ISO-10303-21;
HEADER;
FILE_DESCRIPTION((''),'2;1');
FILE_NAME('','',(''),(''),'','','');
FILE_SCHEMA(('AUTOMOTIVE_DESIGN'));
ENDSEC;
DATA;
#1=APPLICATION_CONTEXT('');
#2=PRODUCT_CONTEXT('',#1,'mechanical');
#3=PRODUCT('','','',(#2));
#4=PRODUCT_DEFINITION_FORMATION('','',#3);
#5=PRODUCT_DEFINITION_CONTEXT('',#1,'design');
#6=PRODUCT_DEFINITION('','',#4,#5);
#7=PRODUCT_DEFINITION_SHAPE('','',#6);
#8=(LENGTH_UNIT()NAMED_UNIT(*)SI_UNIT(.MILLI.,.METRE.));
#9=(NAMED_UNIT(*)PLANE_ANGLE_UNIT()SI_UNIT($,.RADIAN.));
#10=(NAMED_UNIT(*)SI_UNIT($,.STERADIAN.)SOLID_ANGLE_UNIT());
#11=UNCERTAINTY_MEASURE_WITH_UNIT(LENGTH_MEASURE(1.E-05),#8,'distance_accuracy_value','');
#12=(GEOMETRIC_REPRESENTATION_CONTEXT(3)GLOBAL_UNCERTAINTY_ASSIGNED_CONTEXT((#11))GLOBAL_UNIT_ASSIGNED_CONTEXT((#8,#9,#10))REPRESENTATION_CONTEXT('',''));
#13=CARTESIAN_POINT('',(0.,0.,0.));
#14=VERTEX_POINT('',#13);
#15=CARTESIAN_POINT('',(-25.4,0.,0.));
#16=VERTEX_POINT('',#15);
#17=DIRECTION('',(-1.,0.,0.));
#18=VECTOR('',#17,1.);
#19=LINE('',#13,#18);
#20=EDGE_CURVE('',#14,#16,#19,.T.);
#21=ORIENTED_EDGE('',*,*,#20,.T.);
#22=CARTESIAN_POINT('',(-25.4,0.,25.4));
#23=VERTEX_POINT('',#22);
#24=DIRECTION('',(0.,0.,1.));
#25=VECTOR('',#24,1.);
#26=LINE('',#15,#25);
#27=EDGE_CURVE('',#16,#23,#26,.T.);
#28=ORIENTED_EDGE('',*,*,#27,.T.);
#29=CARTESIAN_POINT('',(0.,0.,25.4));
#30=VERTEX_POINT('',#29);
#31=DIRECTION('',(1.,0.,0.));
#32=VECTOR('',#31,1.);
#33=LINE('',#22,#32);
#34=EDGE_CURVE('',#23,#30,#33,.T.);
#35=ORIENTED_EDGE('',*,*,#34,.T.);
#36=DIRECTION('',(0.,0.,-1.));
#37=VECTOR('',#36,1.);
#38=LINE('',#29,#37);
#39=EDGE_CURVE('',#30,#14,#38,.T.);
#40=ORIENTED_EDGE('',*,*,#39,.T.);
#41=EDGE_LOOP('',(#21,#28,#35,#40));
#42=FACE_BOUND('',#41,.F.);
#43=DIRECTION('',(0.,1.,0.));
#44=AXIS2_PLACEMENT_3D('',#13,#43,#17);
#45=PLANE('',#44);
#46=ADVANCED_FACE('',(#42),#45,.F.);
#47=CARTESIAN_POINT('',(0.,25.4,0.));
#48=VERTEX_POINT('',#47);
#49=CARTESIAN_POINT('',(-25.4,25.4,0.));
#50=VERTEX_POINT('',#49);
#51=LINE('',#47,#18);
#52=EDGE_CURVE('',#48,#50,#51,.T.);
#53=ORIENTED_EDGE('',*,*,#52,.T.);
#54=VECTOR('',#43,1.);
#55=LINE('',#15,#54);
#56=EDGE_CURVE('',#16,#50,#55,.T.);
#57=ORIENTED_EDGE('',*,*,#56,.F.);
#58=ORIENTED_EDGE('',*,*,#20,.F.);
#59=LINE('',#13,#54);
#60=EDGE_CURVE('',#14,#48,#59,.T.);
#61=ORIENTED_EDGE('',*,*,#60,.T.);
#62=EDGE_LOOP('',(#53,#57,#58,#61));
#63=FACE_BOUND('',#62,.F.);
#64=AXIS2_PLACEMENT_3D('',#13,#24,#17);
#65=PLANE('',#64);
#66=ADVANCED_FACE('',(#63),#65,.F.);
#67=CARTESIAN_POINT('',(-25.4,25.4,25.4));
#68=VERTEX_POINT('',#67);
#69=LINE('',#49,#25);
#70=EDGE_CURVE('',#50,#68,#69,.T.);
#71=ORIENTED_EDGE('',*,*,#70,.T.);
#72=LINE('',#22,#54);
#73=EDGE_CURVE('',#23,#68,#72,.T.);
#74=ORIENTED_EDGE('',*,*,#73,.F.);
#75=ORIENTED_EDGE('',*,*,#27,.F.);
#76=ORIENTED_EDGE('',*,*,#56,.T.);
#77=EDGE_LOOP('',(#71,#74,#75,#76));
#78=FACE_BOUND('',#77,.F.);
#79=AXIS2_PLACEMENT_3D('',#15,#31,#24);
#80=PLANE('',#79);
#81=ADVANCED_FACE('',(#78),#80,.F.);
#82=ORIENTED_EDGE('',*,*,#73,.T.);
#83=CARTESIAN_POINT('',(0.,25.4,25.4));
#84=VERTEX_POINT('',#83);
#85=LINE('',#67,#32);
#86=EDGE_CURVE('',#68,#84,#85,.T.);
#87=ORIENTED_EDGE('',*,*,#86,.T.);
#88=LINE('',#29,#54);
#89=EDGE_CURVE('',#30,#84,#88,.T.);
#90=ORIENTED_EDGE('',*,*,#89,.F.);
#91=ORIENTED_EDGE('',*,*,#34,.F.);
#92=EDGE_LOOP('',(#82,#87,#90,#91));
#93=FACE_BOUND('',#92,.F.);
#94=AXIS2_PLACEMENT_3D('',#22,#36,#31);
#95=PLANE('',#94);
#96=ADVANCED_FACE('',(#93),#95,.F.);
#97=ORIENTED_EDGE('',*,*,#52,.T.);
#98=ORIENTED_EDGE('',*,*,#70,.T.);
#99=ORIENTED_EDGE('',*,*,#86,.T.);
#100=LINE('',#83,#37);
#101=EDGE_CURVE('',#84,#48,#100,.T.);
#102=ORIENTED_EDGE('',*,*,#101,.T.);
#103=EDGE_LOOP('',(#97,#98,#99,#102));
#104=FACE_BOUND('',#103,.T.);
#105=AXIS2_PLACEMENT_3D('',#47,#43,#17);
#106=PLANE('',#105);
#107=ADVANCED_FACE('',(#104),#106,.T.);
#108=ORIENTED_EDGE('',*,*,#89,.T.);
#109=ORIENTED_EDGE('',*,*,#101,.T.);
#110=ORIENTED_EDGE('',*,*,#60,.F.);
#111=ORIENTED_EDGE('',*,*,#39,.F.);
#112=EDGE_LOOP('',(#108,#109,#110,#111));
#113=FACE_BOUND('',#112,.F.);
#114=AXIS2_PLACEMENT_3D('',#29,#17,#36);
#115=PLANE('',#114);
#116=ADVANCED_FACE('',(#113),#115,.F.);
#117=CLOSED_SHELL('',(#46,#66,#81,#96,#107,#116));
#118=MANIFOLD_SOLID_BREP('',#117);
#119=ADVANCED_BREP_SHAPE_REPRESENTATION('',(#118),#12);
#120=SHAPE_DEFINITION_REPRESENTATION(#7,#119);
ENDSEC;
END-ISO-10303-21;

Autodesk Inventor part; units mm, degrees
ref_plane "YZ Plane" through (0, 0, 0) normal (1, 0, 0) x (0, 1, 0)
ref_plane "XZ Plane" through (0, 0, 0) normal (0, 1, 0) x (-1, 0, 0)
ref_plane "XY Plane" through (0, 0, 0) normal (0, 0, 1) x (1, 0, 0)
sketch "Sketch1" plane through (0, 0, 0) normal (0, 1, 0) x (-1, 0, 0)
  line L0 (0, 0) -> (25.4, 0)
  line L1 (25.4, 0) -> (25.4, 25.4)
  line L2 (25.4, 25.4) -> (0, 25.4)
  line L3 (0, 25.4) -> (0, 0)
  dimension "d0" = 25.4
  dimension "d1" = 25.4
extrude "Extrusion1" add sketch "Sketch1" along normal blind 25.4
properties part number "Bolt Block"
